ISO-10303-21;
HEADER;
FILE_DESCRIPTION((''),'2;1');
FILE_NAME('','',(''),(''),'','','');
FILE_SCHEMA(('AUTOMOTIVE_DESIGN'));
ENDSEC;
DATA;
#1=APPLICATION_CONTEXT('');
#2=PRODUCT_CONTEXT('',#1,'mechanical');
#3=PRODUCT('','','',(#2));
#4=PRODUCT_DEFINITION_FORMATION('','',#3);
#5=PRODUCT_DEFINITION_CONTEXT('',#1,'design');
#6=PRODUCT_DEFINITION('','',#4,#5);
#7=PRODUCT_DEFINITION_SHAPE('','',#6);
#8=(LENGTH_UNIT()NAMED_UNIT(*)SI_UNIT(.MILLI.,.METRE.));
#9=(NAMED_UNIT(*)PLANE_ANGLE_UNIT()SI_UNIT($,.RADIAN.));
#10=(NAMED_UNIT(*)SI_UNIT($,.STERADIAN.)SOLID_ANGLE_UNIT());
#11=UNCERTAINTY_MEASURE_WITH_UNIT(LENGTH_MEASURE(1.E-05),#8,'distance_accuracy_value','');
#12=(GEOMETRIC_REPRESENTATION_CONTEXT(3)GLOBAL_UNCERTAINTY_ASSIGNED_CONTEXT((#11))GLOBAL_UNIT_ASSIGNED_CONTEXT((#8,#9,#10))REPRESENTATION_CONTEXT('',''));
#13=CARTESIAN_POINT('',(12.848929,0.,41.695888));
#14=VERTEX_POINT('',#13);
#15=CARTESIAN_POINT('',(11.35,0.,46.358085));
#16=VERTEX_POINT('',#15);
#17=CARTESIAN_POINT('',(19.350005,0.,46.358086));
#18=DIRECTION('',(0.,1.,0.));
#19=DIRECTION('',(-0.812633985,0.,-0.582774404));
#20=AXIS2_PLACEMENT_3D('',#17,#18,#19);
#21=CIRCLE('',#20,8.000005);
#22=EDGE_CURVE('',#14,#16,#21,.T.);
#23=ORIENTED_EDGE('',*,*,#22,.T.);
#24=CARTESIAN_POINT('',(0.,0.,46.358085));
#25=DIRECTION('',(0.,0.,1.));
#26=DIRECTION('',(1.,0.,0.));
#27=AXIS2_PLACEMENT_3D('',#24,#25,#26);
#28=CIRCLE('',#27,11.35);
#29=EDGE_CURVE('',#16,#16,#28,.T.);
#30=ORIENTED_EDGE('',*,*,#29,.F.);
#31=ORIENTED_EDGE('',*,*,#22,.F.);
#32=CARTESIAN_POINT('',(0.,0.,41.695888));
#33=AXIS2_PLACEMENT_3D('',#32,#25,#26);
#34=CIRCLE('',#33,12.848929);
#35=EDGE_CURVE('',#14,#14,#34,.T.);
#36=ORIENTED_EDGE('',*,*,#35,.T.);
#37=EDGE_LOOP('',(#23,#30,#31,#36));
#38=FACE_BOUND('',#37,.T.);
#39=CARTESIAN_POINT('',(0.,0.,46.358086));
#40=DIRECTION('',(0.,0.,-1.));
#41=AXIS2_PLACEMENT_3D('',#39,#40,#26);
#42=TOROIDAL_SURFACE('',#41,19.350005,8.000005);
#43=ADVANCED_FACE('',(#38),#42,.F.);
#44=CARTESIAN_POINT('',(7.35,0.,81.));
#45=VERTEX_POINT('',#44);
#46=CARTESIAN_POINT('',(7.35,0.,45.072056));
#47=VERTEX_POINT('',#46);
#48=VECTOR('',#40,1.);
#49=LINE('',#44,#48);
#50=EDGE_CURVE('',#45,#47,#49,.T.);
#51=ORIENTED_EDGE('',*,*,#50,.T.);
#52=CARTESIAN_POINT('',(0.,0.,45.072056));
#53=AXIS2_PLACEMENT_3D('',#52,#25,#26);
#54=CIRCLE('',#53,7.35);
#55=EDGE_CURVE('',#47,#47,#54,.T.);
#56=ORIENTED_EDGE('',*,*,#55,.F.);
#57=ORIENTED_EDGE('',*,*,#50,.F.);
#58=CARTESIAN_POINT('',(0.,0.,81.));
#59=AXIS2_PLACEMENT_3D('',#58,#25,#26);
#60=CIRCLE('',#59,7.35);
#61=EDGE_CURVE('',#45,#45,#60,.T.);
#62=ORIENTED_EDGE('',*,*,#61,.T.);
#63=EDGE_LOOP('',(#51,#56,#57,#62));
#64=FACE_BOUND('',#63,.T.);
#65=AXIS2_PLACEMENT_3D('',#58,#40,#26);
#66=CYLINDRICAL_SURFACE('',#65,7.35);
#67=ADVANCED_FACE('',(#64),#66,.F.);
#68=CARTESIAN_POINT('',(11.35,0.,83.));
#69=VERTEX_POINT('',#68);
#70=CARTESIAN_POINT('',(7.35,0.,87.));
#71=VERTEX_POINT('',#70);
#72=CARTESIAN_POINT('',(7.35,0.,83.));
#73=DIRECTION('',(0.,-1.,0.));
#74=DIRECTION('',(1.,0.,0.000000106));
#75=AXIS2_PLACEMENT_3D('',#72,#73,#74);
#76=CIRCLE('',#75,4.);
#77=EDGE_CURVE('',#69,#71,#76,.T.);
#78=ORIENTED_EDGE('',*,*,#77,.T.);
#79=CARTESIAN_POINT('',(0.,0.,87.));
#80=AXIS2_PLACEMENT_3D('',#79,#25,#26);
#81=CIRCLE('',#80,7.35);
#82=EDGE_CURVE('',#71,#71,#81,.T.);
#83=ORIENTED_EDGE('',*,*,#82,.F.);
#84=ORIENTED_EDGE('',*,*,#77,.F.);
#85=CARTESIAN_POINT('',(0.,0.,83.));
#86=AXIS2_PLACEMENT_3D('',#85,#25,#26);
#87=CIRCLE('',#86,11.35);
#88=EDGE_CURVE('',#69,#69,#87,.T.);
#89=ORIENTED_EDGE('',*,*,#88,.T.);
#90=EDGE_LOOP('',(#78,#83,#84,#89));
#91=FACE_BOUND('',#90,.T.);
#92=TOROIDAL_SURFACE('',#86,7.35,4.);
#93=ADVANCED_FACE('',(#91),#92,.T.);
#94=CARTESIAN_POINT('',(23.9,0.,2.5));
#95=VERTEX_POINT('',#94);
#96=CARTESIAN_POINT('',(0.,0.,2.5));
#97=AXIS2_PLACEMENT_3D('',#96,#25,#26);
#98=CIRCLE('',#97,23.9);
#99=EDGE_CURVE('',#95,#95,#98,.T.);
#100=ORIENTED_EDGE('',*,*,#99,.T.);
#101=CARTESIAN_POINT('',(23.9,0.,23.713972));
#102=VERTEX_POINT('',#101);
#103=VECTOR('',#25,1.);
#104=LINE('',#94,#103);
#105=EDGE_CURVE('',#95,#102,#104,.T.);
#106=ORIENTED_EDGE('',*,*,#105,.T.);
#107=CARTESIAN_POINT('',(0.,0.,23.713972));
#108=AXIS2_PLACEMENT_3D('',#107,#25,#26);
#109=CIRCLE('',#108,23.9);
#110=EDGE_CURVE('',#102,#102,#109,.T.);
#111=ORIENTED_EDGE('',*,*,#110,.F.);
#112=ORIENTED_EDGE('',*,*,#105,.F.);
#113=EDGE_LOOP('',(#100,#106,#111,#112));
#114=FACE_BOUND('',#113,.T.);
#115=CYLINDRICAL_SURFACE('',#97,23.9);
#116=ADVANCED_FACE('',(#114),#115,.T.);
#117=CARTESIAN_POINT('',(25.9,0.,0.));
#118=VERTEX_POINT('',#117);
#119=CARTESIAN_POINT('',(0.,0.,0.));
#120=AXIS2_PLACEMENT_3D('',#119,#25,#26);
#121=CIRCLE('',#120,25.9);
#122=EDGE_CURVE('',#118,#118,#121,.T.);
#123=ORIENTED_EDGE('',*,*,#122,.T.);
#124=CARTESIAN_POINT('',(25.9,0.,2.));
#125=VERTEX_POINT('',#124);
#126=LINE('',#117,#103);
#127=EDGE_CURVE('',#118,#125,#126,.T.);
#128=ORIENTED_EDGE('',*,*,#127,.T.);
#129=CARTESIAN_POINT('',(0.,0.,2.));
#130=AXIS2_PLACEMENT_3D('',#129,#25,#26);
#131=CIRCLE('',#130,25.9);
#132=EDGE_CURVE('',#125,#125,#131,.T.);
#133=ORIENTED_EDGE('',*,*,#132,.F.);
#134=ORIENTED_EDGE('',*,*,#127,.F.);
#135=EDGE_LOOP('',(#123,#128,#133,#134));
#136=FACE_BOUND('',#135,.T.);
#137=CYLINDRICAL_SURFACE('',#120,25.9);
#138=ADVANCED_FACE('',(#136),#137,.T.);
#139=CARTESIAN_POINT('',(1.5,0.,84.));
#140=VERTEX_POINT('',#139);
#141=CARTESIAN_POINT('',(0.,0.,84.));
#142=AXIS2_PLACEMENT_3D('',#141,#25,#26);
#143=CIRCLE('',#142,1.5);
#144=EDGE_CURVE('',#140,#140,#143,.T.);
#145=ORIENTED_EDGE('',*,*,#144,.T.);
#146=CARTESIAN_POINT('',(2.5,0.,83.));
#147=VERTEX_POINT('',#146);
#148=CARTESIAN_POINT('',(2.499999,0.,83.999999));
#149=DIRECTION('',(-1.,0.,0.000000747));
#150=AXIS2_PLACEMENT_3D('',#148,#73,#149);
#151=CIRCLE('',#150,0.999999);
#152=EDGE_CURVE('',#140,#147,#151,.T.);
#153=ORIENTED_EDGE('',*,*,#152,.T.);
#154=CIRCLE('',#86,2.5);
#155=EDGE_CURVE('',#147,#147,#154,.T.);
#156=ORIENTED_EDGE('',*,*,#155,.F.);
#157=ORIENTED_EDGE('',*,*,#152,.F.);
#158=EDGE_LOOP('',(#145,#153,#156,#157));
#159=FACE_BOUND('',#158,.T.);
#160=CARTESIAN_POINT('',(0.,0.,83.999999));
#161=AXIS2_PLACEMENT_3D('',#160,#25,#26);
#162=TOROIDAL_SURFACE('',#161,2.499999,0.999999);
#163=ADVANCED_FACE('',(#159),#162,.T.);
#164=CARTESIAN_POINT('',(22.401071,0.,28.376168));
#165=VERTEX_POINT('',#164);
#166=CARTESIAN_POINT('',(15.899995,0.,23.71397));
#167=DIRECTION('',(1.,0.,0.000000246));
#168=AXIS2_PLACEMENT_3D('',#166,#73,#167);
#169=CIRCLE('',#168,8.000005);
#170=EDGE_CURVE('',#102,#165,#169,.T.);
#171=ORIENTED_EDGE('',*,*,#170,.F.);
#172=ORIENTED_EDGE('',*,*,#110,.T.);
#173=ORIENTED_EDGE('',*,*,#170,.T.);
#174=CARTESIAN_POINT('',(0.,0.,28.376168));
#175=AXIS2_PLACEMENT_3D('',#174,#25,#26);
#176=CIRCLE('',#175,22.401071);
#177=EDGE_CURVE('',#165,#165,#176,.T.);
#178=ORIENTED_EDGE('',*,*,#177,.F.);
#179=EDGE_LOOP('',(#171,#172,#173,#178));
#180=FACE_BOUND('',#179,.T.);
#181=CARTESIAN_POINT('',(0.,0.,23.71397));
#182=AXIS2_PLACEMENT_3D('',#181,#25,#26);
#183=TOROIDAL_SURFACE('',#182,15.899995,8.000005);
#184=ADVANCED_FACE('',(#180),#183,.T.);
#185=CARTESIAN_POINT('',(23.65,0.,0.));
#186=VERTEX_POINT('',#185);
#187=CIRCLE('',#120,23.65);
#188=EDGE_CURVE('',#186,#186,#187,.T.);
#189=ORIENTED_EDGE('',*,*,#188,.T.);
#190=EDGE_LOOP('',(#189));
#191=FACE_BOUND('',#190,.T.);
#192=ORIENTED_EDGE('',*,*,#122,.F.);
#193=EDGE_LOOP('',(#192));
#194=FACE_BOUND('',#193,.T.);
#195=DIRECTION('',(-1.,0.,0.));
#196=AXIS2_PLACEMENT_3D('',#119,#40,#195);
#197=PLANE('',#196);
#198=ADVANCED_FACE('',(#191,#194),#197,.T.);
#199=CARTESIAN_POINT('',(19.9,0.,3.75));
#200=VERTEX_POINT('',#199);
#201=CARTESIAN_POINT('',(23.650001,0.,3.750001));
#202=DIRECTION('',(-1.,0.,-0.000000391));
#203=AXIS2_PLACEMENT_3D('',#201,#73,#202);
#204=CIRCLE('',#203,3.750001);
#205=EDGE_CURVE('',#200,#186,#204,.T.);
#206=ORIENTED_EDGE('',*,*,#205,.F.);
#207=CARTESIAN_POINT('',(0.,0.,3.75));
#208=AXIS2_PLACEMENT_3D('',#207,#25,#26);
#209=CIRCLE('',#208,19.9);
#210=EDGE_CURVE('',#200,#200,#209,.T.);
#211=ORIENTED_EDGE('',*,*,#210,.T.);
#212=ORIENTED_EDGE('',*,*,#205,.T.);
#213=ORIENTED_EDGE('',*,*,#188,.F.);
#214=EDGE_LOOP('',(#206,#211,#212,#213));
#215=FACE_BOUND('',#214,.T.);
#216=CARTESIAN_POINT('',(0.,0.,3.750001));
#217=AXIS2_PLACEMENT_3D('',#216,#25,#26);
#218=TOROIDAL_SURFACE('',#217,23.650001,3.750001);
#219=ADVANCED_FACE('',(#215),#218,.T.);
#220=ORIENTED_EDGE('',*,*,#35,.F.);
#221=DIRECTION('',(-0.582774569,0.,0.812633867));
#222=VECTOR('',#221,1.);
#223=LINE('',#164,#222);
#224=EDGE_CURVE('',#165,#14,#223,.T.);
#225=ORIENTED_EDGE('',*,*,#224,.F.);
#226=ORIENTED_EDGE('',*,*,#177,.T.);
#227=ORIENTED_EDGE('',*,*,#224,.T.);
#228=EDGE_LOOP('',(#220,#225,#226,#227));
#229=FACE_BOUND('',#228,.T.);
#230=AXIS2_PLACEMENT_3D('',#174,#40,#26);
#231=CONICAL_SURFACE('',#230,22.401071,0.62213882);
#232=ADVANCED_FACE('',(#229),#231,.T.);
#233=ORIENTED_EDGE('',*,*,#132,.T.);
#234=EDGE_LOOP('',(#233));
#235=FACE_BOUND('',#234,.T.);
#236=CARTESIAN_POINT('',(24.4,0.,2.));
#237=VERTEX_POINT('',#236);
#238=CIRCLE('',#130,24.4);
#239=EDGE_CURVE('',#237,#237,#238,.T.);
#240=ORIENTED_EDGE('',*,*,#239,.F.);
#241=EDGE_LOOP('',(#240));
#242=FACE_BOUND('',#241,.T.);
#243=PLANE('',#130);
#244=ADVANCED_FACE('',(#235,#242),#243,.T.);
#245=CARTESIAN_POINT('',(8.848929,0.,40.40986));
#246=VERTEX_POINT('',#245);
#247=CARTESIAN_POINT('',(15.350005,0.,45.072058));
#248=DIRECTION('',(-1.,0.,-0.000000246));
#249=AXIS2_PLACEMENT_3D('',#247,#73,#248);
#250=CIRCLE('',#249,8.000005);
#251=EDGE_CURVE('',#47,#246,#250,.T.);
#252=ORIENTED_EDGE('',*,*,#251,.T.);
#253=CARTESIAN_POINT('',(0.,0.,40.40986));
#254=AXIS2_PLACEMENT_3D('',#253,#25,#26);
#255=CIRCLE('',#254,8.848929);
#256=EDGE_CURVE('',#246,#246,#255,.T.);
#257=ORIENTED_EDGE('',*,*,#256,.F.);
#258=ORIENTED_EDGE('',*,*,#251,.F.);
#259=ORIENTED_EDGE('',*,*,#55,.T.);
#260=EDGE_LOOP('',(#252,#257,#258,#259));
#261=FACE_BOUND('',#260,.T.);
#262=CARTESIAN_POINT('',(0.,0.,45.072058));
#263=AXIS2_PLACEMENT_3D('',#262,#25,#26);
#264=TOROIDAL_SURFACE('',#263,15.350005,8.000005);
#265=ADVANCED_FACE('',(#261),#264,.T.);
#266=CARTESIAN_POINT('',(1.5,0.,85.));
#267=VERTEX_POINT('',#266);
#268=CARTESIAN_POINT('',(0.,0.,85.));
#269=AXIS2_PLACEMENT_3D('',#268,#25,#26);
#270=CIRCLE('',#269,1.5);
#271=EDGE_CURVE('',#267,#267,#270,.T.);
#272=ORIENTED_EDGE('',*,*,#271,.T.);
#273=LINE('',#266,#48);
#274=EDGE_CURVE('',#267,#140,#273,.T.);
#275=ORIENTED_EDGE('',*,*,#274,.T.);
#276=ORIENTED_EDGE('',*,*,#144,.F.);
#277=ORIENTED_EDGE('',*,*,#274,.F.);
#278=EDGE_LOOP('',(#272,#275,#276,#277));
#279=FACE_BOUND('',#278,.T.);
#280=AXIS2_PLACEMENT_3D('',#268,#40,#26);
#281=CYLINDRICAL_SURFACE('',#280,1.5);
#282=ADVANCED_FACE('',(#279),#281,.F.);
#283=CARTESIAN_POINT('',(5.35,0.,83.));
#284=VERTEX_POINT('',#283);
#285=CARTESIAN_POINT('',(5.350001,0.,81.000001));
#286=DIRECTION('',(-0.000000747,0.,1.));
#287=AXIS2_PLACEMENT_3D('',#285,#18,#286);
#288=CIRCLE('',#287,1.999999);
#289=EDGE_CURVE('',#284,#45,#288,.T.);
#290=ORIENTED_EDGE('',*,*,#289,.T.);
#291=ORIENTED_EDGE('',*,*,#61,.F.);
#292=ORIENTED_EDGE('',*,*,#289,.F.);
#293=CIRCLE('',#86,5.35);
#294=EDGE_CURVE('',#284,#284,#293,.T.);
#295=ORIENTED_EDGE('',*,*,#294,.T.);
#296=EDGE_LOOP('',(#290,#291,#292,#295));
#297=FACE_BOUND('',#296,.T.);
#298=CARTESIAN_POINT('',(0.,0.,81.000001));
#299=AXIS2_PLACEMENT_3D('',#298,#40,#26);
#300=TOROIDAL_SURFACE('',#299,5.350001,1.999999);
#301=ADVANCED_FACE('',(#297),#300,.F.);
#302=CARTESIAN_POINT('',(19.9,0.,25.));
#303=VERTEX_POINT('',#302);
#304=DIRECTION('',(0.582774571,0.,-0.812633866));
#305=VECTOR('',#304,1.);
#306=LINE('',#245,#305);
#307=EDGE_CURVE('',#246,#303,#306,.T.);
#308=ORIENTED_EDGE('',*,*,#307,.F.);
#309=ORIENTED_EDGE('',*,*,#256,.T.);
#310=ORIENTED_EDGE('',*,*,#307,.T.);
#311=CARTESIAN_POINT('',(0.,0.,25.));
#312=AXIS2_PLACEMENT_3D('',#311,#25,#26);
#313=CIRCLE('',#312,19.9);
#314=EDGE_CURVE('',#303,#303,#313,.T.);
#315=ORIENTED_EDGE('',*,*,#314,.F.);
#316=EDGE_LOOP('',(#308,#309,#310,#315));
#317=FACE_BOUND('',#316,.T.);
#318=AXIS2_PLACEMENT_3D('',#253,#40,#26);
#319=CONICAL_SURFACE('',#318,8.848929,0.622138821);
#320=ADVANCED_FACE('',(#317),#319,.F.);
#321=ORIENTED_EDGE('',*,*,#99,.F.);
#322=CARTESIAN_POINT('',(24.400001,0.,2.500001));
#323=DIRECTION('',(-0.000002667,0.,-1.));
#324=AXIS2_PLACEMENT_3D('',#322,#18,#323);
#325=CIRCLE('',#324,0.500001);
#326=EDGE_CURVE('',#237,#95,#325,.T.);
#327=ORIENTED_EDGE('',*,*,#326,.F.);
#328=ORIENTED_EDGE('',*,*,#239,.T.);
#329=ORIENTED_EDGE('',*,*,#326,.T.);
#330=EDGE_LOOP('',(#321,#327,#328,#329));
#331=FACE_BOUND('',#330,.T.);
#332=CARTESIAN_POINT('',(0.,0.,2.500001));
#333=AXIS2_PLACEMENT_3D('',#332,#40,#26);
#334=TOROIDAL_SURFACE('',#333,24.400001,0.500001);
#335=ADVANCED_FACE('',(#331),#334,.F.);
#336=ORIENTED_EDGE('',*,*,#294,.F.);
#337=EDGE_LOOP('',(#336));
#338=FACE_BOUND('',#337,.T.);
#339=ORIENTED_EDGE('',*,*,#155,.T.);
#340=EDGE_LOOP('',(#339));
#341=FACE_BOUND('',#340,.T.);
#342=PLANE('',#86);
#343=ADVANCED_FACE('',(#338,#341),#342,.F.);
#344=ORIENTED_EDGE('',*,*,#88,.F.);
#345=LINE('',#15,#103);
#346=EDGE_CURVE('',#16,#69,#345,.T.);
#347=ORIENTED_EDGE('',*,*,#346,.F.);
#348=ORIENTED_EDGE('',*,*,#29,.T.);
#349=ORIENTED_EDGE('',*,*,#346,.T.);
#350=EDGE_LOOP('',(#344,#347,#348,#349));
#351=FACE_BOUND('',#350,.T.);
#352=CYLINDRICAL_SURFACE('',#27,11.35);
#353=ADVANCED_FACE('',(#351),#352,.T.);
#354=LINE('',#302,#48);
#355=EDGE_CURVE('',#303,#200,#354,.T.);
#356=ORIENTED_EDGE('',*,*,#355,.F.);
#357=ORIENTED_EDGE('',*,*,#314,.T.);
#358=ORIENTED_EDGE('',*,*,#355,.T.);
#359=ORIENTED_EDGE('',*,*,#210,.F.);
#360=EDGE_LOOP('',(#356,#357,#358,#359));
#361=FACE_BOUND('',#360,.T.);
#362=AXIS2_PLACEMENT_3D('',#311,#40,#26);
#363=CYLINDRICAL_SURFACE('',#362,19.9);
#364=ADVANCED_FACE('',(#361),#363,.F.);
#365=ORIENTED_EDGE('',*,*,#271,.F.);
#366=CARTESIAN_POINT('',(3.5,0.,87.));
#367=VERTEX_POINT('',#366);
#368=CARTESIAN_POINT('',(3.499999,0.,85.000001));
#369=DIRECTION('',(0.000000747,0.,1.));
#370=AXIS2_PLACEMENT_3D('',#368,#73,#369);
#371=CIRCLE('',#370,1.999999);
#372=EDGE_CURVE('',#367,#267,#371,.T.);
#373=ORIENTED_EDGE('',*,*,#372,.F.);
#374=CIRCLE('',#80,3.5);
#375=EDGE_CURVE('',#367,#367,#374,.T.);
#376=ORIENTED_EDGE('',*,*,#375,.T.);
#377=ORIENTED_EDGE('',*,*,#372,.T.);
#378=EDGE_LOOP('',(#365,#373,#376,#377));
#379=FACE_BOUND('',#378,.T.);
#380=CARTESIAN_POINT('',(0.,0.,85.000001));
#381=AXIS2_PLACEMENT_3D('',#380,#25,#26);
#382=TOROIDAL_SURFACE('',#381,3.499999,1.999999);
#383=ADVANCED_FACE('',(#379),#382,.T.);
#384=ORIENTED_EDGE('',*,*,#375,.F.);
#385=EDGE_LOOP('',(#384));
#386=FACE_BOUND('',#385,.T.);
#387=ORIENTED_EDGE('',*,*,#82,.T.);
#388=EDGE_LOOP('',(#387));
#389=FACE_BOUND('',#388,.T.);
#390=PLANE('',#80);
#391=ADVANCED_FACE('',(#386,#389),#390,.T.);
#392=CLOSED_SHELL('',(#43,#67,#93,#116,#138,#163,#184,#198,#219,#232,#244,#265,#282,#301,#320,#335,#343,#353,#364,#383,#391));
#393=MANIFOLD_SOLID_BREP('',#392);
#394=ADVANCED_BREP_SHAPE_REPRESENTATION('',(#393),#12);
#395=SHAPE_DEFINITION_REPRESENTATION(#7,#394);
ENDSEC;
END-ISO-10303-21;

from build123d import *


with BuildPart() as f2:
    # F0 (on Front) → F2 (revolve)
    with BuildSketch(Plane.XZ):
        with BuildLine():
            Line((19.9, 25), (19.9, 3.75))
            ThreePointArc((19.9, 3.75), (20.99835, 1.09835), (23.65, 0))
            Line((23.65, 0), (23.9, 0))
            Line((23.9, 0), (25.9, 0))
            Line((25.9, 0), (25.9, 2))
            Line((25.9, 2), (24.4, 2))
            ThreePointArc((24.4, 2), (24.046447, 2.146447), (23.9, 2.5))
            Line((23.9, 2.5), (23.9, 23.713972))
            ThreePointArc((23.9, 23.713972), (23.516054, 26.162587), (22.401071, 28.376168))
            Line((22.401071, 28.376168), (12.848929, 41.695888))
            ThreePointArc((12.848929, 41.695888), (11.733946, 43.909469), (11.35, 46.358085))
            Line((11.35, 46.358085), (11.35, 83))
            ThreePointArc((11.35, 83), (10.178427, 85.828427), (7.35, 87))
            Line((7.35, 87), (3.5, 87))
            ThreePointArc((3.5, 87), (2.085786, 86.414214), (1.5, 85))
            Line((1.5, 85), (1.5, 84))
            ThreePointArc((1.5, 84), (1.792893, 83.292893), (2.5, 83))
            Line((2.5, 83), (5.35, 83))
            ThreePointArc((5.35, 83), (6.764214, 82.414214), (7.35, 81))
            Line((7.35, 81), (7.35, 45.072056))
            ThreePointArc((7.35, 45.072056), (7.733946, 42.623441), (8.848929, 40.40986))
            Line((8.848929, 40.40986), (19.9, 25))
        make_face()
    revolve(axis=Axis((0, 0, 13.469479), (0, 0, 1)))


solid = f2.part
